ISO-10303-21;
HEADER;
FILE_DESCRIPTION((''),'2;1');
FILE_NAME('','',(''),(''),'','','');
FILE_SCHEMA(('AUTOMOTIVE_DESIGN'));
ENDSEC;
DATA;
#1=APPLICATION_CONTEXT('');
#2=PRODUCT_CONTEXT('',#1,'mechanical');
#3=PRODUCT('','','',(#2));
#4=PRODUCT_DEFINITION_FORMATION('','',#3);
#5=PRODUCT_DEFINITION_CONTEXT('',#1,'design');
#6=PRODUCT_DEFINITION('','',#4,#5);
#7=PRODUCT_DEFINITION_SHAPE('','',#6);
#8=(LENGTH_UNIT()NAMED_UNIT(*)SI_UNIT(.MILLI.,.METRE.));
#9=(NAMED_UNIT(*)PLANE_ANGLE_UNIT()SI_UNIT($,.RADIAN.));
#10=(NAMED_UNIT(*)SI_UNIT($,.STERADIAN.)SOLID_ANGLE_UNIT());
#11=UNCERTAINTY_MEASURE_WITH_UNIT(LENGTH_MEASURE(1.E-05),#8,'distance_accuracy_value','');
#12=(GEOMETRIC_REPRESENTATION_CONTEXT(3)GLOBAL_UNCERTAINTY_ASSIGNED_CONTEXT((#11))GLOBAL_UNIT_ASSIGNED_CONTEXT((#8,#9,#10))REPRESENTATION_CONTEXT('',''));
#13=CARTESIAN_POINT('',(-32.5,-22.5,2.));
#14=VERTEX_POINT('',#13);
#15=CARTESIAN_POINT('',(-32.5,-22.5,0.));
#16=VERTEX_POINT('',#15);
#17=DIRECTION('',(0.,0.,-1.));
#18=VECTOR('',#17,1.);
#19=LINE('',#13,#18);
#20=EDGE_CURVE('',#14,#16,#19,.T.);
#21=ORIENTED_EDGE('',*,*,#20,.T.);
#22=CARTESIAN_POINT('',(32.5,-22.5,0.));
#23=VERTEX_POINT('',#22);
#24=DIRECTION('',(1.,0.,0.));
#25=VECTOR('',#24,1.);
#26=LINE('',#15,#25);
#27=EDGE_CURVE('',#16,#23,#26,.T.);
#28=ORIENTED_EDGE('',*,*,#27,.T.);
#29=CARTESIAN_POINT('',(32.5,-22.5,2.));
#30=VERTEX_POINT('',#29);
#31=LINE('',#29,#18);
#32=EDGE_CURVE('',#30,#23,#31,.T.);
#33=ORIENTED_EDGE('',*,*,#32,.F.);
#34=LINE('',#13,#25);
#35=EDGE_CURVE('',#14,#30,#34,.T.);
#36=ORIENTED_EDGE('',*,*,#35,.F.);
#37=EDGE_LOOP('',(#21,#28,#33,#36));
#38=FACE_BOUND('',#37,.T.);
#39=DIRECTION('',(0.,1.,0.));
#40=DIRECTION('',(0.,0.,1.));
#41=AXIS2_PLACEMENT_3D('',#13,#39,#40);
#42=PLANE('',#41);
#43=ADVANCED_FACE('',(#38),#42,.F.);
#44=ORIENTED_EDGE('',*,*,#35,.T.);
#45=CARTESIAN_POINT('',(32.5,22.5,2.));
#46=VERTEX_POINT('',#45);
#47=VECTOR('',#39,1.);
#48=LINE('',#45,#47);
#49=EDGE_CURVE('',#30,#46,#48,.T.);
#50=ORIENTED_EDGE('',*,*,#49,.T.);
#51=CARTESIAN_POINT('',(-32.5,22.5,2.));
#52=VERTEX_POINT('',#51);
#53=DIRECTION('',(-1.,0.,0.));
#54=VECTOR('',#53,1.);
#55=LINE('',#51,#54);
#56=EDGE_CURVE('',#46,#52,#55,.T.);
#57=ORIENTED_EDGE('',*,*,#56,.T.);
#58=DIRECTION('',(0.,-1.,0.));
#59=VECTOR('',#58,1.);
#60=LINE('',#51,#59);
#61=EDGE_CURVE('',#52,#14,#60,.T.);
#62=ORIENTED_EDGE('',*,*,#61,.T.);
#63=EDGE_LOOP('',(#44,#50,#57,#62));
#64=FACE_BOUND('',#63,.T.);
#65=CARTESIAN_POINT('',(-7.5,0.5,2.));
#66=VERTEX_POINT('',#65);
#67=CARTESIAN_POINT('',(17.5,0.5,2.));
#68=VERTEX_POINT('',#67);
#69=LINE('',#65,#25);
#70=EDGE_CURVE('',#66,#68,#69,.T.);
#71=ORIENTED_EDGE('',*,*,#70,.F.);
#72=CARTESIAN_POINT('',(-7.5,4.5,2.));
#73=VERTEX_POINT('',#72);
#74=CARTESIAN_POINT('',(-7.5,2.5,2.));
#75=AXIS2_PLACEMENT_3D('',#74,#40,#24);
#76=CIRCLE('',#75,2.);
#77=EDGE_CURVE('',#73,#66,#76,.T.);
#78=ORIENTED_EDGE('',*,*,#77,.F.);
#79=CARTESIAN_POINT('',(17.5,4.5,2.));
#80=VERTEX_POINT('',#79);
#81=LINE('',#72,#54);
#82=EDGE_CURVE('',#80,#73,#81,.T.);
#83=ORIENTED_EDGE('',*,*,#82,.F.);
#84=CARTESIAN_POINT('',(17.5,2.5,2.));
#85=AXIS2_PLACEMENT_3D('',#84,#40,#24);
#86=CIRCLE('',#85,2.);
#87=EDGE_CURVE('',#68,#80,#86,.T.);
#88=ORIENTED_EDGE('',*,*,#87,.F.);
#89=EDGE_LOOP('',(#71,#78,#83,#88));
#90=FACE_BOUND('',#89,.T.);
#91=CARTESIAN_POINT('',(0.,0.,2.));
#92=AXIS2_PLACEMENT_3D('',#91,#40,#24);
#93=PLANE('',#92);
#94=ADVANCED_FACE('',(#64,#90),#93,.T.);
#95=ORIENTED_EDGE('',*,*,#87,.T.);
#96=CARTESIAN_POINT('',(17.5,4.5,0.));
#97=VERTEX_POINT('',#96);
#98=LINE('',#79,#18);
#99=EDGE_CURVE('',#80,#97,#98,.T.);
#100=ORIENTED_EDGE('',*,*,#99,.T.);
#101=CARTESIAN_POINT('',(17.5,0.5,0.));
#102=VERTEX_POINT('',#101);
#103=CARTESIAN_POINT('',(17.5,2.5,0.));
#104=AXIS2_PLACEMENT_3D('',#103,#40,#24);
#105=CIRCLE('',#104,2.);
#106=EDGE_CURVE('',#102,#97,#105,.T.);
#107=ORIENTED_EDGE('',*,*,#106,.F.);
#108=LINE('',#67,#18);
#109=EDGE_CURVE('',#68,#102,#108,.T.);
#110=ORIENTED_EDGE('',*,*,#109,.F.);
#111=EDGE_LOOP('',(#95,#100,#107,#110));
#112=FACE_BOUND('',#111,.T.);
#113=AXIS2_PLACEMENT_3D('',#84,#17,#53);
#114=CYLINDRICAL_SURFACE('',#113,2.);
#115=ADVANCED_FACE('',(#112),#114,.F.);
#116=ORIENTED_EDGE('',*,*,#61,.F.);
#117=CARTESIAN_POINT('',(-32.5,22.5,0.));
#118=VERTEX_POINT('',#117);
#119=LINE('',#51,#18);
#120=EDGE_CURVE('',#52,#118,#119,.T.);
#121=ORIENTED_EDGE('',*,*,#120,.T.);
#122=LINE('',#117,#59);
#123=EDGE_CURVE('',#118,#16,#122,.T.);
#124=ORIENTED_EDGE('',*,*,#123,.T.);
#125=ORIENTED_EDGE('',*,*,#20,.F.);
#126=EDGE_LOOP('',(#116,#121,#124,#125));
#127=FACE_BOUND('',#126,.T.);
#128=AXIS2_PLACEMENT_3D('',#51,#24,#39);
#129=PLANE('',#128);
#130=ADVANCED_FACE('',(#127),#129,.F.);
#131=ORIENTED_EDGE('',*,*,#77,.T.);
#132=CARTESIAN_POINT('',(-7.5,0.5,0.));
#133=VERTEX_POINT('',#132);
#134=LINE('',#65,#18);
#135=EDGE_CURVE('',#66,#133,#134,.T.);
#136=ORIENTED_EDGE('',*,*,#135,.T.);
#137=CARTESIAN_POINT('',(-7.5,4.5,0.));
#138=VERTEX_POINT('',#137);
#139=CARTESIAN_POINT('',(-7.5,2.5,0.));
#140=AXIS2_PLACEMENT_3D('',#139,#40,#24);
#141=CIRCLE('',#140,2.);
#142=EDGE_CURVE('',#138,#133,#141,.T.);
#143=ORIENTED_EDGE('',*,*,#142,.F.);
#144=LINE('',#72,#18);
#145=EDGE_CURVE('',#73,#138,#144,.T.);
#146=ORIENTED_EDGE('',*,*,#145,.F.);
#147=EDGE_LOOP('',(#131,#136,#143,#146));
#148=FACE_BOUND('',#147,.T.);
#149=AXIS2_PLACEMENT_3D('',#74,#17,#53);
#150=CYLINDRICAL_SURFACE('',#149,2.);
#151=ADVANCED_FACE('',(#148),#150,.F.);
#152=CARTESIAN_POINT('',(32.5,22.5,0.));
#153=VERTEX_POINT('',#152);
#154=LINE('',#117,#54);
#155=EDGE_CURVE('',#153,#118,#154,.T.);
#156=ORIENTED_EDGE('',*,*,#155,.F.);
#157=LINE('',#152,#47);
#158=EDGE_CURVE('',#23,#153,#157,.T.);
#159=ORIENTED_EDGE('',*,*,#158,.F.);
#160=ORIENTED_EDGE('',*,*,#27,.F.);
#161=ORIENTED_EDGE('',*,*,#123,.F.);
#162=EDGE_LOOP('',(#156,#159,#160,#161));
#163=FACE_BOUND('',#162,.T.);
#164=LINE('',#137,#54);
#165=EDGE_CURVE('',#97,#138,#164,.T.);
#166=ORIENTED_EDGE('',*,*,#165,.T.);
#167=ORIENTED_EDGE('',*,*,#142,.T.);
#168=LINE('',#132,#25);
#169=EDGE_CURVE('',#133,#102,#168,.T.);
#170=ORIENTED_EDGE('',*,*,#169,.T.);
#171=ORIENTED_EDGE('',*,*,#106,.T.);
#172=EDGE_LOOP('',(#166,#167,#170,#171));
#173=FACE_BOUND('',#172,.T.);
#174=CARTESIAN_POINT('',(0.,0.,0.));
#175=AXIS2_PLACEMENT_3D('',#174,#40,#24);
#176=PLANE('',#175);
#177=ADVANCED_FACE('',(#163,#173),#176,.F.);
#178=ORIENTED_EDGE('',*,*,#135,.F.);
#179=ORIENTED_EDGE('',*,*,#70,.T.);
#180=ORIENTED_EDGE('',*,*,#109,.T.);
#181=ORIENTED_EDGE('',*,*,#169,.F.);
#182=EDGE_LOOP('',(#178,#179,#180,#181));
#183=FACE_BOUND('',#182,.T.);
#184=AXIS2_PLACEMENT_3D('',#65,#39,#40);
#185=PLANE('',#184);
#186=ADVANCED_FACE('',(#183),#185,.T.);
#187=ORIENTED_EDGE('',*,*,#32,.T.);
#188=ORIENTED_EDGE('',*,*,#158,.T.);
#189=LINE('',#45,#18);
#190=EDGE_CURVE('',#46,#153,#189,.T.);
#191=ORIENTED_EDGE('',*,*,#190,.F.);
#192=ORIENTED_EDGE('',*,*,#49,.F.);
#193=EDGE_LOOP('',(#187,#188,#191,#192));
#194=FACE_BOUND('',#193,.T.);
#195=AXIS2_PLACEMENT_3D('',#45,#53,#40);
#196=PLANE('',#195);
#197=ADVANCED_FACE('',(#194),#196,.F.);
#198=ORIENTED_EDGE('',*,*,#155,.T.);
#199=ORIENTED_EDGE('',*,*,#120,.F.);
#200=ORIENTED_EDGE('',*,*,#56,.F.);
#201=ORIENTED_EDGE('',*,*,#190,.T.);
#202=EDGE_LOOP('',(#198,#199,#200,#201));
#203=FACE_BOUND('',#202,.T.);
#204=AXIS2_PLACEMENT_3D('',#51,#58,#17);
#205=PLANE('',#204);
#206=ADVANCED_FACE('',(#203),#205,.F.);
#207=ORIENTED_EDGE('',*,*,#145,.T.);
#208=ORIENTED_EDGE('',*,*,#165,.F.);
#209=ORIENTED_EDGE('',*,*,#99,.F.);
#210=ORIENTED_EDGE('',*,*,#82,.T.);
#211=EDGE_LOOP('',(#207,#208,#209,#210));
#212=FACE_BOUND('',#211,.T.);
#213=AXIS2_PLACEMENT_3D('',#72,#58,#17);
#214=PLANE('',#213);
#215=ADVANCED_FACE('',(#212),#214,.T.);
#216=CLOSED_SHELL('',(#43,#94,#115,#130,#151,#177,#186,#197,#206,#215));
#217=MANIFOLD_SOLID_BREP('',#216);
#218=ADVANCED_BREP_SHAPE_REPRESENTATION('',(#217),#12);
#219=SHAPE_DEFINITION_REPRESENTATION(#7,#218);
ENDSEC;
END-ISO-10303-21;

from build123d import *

# Parameters (mm, degrees)
SKETCH1_W           = 65
SKETCH1_H           = 45
BOSS_EXTRUDE1_DEPTH = 2
CUT_EXTRUDE2_DEPTH  = 2


with BuildPart() as part:
    # Sketch1 → Boss-Extrude1 (new body)
    with BuildSketch(Plane.XY):
        Rectangle(SKETCH1_W, SKETCH1_H)
    extrude(amount=BOSS_EXTRUDE1_DEPTH)

    # Sketch2 → Cut-Extrude2 (cut)
    with BuildSketch(Plane.XY):
        with BuildLine():
            Line((-7.5, 4.5), (17.5, 4.5))
            ThreePointArc((17.5, 4.5), (19.5, 2.5), (17.5, 0.5))
            Line((17.5, 0.5), (-7.5, 0.5))
            ThreePointArc((-7.5, 0.5), (-9.5, 2.5), (-7.5, 4.5))
        make_face()
    extrude(amount=CUT_EXTRUDE2_DEPTH, mode=Mode.SUBTRACT)


solid = part.part
